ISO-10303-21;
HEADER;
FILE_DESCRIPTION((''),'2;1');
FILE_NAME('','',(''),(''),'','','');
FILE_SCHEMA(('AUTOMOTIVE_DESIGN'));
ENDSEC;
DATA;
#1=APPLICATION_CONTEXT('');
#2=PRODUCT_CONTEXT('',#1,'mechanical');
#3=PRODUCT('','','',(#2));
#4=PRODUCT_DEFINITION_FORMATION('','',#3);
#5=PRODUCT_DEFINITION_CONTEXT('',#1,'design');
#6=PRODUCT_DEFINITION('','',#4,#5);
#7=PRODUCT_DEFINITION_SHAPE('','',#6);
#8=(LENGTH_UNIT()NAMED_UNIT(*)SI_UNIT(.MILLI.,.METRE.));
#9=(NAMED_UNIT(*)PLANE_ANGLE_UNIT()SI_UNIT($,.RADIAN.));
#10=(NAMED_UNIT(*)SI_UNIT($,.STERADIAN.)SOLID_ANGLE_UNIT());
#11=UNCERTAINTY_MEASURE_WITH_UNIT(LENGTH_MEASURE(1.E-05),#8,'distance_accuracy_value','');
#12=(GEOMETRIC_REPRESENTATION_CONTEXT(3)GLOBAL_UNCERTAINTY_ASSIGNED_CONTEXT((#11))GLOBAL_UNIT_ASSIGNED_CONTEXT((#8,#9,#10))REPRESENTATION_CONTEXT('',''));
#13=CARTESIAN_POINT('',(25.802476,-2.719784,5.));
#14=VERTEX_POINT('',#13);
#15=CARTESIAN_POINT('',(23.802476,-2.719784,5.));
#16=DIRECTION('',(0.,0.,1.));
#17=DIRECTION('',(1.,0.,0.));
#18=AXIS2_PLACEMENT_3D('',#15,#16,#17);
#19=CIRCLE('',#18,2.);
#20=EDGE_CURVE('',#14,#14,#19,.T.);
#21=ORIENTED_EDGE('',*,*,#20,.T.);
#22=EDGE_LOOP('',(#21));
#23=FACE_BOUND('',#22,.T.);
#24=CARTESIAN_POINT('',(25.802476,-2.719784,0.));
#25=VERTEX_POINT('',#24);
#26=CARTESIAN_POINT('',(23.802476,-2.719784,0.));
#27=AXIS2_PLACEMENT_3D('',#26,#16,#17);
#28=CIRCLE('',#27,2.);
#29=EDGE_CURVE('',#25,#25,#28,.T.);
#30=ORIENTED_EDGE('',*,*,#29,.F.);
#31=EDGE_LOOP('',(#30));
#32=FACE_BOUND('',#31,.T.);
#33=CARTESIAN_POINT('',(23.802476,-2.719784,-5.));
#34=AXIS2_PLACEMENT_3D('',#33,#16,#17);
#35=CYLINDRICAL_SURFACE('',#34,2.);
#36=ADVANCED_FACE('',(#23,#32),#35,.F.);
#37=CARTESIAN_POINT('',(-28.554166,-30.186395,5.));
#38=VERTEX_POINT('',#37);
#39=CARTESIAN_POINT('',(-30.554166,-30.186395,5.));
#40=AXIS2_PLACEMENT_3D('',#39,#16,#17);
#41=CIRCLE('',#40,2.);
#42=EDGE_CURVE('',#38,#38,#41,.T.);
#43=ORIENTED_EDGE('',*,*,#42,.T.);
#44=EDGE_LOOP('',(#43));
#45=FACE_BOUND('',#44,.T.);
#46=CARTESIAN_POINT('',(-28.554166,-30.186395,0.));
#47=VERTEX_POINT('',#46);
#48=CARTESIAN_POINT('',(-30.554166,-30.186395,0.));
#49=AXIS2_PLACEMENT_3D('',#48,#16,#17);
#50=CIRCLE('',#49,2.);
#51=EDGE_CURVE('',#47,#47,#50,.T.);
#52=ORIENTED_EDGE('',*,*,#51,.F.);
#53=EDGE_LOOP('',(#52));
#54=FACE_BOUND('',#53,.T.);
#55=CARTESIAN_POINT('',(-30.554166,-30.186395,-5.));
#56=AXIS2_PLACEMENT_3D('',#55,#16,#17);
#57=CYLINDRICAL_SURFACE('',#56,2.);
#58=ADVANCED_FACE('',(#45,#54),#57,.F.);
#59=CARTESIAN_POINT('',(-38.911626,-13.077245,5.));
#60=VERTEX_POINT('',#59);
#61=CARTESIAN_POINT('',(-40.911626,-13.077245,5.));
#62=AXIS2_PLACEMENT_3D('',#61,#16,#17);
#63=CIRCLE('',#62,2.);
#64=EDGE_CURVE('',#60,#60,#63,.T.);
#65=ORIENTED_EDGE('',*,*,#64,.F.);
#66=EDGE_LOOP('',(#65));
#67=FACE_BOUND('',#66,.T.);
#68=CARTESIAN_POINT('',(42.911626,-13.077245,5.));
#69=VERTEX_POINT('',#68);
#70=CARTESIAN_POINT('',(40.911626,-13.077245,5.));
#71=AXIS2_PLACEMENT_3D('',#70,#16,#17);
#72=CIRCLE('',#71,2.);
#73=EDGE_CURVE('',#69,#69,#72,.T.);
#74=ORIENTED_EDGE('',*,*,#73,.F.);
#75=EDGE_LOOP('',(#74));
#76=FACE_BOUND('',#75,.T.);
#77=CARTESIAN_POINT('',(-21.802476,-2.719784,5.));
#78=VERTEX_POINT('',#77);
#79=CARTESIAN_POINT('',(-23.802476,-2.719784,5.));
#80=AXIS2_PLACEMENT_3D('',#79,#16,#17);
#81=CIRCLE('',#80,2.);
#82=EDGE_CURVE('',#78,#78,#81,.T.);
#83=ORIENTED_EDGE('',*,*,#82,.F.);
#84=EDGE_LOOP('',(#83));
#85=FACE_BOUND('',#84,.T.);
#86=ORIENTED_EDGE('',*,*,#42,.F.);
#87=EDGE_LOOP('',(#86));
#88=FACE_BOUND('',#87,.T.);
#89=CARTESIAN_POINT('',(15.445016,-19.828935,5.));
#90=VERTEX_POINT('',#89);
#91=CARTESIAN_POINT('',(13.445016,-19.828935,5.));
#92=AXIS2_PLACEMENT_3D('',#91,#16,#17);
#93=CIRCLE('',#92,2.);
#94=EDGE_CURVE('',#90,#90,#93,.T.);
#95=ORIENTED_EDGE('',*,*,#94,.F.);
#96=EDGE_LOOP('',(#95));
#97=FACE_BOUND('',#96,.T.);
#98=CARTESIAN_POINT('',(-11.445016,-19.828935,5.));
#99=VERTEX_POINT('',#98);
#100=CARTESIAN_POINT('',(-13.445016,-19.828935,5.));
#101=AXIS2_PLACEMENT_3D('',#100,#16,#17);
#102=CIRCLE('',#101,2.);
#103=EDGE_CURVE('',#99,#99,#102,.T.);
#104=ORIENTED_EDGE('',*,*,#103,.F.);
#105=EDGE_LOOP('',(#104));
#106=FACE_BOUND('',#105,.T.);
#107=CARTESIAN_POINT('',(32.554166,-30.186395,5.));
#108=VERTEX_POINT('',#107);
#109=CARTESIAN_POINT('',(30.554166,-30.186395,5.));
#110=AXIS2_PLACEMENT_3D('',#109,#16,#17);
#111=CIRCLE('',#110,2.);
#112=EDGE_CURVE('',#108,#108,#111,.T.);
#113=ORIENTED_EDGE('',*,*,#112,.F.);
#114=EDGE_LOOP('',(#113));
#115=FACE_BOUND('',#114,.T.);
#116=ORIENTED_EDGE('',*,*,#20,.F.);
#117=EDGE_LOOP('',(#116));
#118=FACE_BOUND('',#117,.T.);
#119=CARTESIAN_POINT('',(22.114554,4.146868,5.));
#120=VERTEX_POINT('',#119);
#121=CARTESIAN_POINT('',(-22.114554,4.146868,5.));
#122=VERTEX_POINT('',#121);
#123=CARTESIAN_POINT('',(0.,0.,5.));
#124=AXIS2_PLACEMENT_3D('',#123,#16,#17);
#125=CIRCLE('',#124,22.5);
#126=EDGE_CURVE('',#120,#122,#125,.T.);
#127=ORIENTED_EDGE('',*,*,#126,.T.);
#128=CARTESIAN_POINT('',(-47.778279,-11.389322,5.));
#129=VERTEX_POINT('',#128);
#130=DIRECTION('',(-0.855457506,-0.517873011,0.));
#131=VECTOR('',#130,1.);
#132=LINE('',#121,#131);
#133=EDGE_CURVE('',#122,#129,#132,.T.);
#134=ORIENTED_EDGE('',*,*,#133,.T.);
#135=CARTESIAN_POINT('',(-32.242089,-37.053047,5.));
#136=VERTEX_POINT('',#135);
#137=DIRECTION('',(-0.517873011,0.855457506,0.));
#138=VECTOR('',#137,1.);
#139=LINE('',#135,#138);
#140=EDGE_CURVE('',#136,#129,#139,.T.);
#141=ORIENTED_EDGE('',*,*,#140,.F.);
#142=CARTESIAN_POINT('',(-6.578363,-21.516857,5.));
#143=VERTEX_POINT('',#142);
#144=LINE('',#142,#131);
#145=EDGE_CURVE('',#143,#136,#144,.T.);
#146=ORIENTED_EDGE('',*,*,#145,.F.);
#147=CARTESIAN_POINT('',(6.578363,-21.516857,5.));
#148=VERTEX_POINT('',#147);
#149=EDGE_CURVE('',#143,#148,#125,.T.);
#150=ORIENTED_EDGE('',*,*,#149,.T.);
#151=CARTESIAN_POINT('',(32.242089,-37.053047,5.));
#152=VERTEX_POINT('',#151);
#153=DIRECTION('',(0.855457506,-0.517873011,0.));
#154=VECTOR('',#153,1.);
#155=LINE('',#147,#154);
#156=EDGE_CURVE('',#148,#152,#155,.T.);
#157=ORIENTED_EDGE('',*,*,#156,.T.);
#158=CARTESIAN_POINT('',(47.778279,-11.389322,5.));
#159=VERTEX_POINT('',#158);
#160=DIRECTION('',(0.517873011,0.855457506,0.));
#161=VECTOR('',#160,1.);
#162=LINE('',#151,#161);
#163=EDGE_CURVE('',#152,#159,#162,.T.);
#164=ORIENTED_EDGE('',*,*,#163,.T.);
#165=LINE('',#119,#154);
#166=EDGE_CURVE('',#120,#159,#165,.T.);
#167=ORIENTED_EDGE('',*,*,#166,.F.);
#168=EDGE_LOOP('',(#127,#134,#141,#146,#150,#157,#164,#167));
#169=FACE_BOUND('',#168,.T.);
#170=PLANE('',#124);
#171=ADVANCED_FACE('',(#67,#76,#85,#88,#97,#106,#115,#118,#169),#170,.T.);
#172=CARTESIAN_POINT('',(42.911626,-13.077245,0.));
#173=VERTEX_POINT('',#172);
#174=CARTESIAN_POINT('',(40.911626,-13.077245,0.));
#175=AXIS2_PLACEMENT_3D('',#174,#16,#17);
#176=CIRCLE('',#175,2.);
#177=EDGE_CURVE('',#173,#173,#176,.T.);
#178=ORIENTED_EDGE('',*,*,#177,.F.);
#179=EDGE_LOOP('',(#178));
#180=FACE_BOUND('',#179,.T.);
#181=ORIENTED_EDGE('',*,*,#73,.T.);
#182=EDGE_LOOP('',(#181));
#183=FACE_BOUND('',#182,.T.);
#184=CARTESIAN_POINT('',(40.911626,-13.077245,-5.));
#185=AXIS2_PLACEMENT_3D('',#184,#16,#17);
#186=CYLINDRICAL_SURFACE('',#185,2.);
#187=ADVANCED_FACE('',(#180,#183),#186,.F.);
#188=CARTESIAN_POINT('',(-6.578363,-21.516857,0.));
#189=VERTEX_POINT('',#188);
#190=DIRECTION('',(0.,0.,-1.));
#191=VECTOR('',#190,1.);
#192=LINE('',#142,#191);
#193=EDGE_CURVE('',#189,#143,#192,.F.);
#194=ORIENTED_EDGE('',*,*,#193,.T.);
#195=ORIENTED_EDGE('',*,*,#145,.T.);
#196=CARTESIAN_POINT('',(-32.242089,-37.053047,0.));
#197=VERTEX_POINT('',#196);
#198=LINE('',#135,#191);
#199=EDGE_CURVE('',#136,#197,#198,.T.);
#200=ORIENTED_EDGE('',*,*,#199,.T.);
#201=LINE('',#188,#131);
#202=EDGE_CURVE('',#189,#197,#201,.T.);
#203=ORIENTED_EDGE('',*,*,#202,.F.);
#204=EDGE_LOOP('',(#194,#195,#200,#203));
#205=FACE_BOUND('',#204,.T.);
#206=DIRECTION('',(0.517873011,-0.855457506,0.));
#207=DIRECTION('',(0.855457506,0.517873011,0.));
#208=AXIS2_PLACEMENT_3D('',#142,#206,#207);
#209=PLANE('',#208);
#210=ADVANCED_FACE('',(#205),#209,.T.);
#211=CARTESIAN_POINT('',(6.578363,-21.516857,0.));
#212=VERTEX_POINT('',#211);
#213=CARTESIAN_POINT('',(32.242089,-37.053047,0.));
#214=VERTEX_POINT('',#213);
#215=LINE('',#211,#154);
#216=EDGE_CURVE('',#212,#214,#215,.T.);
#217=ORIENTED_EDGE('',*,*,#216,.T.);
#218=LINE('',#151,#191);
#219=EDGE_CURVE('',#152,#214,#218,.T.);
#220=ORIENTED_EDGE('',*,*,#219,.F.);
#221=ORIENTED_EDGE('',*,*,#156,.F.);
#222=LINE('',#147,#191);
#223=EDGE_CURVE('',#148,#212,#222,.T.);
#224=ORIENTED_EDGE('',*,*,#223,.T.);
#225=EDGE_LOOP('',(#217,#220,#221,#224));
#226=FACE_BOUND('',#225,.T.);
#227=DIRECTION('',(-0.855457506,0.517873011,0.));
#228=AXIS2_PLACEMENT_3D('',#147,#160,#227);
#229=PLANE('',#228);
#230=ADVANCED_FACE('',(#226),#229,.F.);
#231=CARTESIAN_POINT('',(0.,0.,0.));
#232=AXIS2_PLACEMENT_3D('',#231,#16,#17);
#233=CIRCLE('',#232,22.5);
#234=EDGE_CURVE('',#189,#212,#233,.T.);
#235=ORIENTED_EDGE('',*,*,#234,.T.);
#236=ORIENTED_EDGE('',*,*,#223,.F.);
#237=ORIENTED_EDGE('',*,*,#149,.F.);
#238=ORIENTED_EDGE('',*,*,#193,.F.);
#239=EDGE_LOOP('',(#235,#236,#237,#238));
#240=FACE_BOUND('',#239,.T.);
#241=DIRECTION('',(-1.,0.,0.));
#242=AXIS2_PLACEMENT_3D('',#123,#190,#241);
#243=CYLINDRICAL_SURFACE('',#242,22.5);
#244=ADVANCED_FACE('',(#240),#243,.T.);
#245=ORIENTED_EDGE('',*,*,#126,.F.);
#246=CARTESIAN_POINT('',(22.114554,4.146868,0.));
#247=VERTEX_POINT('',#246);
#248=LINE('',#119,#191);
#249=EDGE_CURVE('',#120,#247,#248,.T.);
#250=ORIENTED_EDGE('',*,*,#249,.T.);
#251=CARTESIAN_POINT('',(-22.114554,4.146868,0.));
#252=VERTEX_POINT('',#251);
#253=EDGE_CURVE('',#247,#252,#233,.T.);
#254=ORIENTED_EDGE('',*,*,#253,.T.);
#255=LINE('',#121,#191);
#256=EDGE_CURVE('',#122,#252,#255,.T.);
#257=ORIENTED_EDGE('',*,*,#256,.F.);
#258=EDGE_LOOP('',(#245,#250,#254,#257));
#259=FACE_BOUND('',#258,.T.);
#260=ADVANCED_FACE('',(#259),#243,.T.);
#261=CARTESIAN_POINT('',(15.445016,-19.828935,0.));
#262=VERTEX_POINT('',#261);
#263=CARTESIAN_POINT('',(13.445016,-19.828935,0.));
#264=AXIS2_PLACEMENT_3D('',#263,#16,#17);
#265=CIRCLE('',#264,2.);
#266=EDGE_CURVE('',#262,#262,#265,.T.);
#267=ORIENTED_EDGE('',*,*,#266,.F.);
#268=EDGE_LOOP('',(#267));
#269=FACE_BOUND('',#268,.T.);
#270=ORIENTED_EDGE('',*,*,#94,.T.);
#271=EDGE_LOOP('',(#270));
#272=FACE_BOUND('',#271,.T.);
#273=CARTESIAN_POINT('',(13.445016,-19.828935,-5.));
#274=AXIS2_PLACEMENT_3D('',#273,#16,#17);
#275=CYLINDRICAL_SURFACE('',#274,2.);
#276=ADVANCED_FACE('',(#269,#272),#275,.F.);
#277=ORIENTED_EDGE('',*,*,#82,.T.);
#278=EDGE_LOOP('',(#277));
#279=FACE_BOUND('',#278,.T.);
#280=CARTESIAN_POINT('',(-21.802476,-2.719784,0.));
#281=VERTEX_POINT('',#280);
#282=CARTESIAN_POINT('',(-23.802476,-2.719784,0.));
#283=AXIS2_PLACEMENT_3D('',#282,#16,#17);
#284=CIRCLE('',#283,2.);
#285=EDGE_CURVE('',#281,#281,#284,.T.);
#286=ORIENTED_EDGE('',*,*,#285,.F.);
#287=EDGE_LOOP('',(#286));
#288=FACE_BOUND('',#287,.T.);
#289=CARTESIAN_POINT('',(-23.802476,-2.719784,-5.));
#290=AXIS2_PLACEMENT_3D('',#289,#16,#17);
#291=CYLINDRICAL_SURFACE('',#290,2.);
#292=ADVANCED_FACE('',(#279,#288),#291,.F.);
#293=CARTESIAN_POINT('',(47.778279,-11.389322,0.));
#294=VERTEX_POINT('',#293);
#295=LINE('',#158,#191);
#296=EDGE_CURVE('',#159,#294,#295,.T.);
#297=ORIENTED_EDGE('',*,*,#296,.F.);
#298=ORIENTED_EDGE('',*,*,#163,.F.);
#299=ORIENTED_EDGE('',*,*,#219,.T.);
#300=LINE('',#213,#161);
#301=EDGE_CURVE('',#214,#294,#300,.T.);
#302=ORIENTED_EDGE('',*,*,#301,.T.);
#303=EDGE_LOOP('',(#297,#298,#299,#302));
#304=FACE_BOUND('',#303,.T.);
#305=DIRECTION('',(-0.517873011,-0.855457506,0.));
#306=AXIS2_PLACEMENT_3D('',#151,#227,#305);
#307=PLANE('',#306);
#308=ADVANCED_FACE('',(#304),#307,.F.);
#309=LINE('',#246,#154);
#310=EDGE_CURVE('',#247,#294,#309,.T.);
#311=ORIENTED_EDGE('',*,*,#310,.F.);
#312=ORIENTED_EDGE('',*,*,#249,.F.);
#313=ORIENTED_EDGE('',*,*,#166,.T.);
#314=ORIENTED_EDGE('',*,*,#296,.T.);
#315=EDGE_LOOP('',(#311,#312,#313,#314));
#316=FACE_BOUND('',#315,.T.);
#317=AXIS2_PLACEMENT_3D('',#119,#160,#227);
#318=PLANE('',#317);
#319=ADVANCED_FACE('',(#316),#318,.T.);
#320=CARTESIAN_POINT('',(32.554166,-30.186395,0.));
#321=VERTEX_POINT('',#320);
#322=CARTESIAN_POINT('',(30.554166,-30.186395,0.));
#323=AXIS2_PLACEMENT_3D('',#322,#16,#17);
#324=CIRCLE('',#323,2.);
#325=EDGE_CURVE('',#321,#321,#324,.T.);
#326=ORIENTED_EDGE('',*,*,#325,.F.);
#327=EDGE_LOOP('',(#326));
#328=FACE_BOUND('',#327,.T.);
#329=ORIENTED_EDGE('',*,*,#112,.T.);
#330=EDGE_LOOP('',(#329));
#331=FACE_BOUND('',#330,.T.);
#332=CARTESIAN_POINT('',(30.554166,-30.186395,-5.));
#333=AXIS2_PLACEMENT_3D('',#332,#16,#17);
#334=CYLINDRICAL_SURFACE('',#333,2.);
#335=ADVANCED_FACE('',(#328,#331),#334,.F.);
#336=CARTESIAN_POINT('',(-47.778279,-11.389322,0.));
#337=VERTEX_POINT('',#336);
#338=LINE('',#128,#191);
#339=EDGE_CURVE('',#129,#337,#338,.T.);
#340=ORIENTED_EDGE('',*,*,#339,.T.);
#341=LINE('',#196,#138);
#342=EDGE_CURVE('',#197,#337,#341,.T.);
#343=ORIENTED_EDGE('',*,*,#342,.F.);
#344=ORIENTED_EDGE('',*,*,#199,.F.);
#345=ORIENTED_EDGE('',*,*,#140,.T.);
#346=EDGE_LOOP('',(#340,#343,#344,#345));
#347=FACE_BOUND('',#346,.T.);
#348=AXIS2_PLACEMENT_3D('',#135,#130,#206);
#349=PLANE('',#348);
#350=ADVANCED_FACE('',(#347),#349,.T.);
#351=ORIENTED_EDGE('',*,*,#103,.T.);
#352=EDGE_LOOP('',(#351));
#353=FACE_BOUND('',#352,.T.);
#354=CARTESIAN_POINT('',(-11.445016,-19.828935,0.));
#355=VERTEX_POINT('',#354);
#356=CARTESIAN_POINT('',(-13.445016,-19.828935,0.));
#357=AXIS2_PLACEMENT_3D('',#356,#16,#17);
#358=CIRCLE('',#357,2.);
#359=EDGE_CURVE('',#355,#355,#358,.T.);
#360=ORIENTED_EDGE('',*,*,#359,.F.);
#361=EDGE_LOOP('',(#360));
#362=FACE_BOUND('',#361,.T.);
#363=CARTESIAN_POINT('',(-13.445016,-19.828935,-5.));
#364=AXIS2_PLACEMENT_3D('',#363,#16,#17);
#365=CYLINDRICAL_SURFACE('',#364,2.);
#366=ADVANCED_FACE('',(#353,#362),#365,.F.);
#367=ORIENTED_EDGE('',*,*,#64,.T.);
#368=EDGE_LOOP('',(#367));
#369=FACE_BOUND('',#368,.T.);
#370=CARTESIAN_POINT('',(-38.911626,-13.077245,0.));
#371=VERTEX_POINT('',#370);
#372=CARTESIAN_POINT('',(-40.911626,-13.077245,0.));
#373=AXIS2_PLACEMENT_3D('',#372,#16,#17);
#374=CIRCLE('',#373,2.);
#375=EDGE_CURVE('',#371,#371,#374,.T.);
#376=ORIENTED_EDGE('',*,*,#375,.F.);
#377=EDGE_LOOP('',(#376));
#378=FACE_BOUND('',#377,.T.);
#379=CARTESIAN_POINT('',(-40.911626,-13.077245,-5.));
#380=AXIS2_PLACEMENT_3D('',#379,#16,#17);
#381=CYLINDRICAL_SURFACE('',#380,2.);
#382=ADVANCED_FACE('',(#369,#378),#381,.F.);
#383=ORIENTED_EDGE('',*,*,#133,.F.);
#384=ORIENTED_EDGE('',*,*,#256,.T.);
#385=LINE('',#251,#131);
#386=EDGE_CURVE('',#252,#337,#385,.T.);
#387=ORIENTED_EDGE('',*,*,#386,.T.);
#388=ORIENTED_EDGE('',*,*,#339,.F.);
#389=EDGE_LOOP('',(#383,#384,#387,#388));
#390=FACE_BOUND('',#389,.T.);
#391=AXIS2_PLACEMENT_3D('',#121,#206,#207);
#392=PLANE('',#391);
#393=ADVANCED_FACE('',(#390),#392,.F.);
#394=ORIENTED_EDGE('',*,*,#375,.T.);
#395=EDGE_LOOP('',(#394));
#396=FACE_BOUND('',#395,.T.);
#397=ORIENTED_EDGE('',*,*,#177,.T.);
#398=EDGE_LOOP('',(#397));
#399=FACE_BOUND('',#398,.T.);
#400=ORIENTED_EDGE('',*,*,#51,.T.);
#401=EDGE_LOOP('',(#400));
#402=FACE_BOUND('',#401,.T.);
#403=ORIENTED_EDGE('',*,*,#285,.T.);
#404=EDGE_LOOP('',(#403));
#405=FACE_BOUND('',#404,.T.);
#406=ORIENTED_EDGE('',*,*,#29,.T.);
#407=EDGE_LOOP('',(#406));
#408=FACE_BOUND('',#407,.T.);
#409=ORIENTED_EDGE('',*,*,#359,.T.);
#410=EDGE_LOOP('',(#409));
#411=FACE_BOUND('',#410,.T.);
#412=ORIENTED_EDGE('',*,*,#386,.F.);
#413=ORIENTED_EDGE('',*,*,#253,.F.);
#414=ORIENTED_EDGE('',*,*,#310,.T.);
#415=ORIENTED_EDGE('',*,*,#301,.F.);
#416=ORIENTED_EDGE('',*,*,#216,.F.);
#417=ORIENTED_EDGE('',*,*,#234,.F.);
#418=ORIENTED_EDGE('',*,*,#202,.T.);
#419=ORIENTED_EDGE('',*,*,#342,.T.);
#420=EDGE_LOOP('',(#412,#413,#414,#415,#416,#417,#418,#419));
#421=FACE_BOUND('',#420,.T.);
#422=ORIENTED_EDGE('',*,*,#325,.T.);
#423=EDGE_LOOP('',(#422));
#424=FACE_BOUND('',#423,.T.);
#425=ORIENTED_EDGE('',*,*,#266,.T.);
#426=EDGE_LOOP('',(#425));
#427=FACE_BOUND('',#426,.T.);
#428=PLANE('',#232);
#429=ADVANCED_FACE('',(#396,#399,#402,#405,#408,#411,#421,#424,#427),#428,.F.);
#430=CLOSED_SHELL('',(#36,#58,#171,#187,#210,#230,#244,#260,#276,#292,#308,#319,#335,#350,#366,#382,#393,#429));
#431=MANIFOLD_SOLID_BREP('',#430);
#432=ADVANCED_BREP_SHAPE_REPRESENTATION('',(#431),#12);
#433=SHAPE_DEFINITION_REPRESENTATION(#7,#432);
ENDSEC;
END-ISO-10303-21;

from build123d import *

# Parameters (mm, degrees)
BOSS_EXTRUDE1_DEPTH = 5
SKETCH4_R           = 2
CUT_EXTRUDE1_DEPTH  = 10


with BuildPart() as part:
    # Sketch2 → Boss-Extrude1 (new body)
    with BuildSketch(Plane.XY):
        with BuildLine():
            Line((6.578363356, -21.516857009), (32.24208854, -37.05304733))
            Line((32.24208854, -37.05304733), (47.778278861, -11.389322146))
            Line((47.778278861, -11.389322146), (22.114553677, 4.146868175))
            ThreePointArc((22.114553677, 4.146868175), (0, 22.5), (-22.114553677, 4.146868175))
            Line((-22.114553677, 4.146868175), (-47.778278861, -11.389322146))
            Line((-47.778278861, -11.389322146), (-32.24208854, -37.05304733))
            Line((-32.24208854, -37.05304733), (-6.578363356, -21.516857009))
            ThreePointArc((-6.578363356, -21.516857009), (0, -22.5), (6.578363356, -21.516857009))
        make_face()
    extrude(amount=BOSS_EXTRUDE1_DEPTH)

    # Sketch4 → Cut-Extrude1 (cut)
    with BuildSketch(Plane.XY.offset(5)):
        with Locations((-40.911626277, -13.077244623)):
            Circle(SKETCH4_R)
        with Locations((-23.802476154, -2.719784409)):
            Circle(SKETCH4_R)
        with Locations((-13.44501594, -19.828934532)):
            Circle(SKETCH4_R)
        with Locations((-30.554166063, -30.186394746)):
            Circle(SKETCH4_R)
        with Locations((23.802476154, -2.719784409)):
            Circle(SKETCH4_R)
        with Locations((13.44501594, -19.828934532)):
            Circle(SKETCH4_R)
        with Locations((40.911626277, -13.077244623)):
            Circle(SKETCH4_R)
        with Locations((30.554166063, -30.186394746)):
            Circle(SKETCH4_R)
    extrude(amount=-CUT_EXTRUDE1_DEPTH, mode=Mode.SUBTRACT)


solid = part.part
